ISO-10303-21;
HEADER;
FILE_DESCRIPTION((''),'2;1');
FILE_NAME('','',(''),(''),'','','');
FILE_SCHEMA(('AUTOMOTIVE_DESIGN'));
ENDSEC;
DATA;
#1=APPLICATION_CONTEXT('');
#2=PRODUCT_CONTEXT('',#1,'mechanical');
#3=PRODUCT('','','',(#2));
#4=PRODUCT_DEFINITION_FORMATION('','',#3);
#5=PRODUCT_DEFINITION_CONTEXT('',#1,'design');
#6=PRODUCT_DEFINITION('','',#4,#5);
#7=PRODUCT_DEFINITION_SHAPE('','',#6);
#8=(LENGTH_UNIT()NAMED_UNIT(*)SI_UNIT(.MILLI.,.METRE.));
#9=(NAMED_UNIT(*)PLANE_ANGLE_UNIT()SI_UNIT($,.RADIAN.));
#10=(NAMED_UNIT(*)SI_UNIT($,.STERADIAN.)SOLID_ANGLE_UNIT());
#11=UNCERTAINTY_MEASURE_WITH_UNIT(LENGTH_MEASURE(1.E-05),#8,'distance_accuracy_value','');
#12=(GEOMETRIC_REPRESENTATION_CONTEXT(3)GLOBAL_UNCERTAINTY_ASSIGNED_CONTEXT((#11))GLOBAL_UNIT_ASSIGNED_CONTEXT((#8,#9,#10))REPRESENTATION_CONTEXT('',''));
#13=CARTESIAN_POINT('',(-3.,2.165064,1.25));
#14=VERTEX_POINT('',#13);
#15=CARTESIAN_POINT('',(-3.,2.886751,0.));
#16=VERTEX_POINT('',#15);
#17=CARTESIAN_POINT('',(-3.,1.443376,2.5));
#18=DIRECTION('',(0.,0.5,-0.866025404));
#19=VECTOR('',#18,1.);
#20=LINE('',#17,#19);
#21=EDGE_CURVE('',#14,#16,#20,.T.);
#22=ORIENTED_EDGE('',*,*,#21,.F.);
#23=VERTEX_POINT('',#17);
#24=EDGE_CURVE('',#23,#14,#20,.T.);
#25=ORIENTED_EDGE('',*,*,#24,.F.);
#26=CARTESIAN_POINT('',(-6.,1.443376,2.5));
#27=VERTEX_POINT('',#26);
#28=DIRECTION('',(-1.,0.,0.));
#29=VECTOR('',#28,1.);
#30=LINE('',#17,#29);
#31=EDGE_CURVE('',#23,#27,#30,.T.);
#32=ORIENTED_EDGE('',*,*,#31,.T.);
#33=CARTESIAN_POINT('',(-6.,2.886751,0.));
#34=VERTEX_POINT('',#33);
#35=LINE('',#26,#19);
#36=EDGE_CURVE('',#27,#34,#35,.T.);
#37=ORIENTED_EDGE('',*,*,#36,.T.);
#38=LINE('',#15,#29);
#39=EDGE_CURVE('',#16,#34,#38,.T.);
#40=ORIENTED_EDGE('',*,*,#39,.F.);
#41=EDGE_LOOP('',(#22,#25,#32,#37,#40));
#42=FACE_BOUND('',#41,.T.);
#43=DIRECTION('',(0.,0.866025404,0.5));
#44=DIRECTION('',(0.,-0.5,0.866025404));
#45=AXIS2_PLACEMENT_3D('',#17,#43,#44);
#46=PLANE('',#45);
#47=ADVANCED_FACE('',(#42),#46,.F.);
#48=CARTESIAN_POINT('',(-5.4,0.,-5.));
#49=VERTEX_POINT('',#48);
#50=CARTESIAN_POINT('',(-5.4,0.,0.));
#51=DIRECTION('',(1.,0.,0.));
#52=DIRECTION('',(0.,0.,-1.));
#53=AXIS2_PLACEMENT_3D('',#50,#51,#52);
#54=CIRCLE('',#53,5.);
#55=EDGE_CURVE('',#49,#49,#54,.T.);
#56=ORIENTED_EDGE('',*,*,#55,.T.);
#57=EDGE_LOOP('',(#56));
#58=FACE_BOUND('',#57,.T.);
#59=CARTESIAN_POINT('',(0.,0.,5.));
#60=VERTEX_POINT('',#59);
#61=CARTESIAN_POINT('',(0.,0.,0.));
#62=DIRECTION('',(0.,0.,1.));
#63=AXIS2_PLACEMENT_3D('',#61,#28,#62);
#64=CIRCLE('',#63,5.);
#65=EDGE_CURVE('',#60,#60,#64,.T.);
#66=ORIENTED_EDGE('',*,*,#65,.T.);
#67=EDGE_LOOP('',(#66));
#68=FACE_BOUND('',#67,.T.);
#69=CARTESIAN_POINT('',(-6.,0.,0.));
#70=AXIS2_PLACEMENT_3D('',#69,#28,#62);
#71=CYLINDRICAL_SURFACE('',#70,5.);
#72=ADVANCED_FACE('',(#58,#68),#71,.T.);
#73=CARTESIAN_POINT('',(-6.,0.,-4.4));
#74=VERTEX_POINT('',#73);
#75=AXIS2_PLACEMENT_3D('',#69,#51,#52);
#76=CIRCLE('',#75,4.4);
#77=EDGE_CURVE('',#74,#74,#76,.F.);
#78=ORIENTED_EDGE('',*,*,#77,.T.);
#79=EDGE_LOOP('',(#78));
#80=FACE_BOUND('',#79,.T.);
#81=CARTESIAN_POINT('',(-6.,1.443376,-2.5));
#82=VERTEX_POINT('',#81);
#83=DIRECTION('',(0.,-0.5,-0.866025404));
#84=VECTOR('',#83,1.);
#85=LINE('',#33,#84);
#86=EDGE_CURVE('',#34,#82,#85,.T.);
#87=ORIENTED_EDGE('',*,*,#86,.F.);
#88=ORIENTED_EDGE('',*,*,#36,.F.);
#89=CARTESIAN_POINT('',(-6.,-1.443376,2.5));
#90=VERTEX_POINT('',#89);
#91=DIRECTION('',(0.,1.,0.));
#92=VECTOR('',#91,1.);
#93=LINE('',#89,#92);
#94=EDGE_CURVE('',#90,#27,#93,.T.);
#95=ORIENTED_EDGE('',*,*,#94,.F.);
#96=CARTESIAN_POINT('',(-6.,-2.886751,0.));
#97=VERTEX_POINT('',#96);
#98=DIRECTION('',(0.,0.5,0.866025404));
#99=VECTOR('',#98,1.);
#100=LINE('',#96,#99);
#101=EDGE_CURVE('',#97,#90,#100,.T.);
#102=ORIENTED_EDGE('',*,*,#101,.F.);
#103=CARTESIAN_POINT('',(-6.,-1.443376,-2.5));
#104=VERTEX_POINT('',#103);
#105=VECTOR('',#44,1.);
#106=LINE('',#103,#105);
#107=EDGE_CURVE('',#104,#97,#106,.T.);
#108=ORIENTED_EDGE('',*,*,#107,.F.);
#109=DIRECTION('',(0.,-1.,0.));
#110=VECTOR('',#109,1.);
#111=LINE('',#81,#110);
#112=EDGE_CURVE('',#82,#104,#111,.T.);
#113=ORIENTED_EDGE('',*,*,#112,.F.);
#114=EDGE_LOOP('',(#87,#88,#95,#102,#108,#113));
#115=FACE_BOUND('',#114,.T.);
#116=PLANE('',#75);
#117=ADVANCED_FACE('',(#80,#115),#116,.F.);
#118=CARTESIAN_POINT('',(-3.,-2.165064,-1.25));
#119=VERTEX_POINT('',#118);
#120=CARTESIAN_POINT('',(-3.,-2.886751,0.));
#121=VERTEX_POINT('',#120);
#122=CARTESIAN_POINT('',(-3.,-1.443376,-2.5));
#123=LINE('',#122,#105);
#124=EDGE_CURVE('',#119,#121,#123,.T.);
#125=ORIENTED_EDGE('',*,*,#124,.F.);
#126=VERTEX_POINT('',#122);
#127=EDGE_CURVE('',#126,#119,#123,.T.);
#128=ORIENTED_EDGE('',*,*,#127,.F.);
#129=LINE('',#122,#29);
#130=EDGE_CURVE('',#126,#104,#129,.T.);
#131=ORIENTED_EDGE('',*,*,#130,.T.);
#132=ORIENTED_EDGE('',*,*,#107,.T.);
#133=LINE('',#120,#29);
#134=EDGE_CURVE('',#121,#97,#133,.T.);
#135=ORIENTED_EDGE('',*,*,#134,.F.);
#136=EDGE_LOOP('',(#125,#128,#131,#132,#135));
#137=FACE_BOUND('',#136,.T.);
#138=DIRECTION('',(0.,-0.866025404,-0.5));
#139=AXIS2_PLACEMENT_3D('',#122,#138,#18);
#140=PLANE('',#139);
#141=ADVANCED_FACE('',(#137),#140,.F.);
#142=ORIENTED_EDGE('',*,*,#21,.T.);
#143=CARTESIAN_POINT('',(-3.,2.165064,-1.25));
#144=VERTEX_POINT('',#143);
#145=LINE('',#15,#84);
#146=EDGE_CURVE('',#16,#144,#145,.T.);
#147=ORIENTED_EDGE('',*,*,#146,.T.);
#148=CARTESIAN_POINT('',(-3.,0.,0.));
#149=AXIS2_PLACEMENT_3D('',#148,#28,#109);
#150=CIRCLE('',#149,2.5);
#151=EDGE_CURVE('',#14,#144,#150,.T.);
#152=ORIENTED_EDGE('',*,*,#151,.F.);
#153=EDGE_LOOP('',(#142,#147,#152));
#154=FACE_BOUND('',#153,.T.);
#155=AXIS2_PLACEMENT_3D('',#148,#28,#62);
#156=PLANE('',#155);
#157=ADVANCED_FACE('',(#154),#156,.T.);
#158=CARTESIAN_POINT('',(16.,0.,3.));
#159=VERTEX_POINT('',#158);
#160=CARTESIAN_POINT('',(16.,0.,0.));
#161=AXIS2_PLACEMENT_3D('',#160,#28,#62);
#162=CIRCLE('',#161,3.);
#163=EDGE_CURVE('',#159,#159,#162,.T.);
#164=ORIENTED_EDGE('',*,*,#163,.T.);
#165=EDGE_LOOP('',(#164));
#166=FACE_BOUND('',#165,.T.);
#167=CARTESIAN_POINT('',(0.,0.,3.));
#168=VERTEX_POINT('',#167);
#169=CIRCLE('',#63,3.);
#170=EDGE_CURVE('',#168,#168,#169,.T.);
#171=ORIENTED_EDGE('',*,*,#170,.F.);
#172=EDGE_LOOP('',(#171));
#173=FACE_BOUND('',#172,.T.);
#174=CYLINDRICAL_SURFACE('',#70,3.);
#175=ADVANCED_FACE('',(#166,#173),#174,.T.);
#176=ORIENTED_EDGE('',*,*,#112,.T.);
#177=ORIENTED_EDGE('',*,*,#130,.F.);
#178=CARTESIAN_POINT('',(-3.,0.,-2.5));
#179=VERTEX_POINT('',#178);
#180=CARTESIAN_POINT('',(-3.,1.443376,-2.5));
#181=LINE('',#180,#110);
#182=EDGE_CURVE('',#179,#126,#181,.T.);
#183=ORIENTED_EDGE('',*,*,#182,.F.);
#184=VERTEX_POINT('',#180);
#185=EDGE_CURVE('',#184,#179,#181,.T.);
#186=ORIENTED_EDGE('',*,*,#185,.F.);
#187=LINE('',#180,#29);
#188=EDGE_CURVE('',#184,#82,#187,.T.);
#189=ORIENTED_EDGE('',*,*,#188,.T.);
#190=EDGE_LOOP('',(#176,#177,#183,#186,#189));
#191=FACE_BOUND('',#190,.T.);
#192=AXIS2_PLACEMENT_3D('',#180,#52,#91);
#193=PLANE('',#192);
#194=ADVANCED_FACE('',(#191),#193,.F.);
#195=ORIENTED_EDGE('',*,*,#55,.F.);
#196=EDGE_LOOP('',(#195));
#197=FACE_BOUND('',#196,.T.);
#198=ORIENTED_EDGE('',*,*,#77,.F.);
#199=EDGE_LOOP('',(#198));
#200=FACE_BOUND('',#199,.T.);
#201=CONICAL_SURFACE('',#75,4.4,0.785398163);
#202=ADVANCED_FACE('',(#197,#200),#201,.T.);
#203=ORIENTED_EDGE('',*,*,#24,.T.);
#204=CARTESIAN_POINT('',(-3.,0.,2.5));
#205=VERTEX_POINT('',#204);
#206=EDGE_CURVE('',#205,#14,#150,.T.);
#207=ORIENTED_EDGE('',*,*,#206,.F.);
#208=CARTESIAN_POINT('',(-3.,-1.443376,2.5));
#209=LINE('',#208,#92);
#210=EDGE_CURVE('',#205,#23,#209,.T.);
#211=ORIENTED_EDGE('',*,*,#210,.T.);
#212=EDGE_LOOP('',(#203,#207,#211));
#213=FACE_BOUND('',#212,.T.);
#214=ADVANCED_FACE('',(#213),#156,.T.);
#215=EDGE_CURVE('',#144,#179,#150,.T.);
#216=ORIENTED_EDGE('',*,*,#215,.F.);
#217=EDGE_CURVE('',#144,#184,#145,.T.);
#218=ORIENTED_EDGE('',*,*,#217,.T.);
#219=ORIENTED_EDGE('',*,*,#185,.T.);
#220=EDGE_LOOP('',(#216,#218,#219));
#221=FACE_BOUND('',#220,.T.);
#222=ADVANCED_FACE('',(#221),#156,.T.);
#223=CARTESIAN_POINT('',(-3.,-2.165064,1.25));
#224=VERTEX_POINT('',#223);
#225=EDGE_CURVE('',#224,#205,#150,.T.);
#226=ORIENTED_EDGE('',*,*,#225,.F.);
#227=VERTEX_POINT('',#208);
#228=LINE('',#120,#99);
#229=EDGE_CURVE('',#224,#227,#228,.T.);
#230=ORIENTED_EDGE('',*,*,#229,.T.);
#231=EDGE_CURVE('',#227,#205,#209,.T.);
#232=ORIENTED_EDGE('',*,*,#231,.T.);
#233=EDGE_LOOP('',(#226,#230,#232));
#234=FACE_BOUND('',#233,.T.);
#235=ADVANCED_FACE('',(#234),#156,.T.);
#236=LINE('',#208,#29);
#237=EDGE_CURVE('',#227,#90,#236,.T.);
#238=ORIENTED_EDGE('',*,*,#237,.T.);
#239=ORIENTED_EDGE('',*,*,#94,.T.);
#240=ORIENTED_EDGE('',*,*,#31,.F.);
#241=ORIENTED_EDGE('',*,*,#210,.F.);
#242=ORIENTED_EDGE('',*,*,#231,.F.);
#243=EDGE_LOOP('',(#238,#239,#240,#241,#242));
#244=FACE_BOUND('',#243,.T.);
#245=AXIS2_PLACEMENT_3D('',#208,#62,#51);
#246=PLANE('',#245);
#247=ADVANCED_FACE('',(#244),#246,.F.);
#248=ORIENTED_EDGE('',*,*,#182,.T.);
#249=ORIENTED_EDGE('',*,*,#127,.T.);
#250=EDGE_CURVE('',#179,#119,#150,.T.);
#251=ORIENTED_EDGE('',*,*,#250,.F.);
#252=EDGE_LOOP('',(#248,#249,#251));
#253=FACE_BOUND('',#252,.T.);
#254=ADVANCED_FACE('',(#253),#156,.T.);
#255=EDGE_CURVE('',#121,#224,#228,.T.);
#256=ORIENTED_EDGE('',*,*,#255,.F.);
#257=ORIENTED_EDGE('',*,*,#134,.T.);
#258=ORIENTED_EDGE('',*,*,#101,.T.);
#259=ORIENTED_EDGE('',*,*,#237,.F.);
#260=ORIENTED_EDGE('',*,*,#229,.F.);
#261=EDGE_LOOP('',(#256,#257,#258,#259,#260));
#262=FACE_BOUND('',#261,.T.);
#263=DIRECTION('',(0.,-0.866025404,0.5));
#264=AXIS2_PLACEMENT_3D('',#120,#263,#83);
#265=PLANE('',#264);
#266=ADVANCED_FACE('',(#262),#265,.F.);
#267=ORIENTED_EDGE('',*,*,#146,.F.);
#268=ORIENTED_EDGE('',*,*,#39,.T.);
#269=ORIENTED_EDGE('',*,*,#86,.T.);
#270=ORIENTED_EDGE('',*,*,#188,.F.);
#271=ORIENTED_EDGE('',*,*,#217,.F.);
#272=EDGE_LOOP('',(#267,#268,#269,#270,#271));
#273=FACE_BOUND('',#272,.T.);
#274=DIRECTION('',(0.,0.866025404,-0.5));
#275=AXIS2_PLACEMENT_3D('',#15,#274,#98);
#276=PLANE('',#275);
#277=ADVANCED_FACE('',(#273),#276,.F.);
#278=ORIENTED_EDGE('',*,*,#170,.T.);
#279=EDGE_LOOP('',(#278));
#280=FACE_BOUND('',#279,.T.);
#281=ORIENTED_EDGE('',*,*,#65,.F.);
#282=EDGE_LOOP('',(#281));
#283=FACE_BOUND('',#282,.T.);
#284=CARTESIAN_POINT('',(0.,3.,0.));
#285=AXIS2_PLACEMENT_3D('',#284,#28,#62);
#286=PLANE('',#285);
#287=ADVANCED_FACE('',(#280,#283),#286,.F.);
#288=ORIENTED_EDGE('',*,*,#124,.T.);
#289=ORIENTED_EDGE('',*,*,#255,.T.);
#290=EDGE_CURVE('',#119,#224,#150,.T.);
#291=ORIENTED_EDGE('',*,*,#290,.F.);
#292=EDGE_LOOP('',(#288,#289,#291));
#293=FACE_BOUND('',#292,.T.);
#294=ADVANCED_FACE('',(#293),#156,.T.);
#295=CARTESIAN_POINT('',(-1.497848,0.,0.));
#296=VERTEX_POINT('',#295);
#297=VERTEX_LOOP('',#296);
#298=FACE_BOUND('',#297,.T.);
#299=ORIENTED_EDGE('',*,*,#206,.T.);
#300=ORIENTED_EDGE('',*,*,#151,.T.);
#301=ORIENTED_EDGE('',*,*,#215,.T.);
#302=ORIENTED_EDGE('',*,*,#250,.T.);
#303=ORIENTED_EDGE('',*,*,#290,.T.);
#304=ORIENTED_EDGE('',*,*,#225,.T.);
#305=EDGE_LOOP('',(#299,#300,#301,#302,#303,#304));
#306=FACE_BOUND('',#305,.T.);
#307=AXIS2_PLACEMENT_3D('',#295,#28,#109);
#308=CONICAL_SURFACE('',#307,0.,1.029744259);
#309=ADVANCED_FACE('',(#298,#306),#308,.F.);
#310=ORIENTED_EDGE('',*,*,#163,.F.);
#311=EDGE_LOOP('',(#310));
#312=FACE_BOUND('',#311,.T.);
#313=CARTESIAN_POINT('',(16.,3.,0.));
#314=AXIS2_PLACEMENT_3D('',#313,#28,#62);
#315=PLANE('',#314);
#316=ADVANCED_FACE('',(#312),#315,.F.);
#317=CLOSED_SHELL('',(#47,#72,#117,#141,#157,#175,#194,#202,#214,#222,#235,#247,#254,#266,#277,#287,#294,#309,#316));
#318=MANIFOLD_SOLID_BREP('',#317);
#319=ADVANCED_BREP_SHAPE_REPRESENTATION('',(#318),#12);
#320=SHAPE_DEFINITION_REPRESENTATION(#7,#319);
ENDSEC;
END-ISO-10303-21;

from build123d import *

# Parameters (mm, degrees)
CUT_EXTRUDE1_DEPTH = 3
CHAMFER1_SIZE      = 0.6


with BuildPart() as part:
    # Sketch1 → Revolve1 (revolve)
    with BuildSketch(Plane.XY):
        Polygon((0, 3), (16, 3), (16, 0), (-6, 0), (-6, 5), (0, 5), align=None)
    revolve(axis=Axis((-6, 0, 0), (1, 0, 0)))

    # Sketch2 → Cut-Revolve1 (revolve, cut)
    with BuildSketch(Plane.XY):
        Polygon((-1.497848452, 0), (-3, 2.5), (-6, 2.5), (-6, 0), align=None)
    revolve(axis=Axis((-6, 0, 0), (1, 0, 0)), mode=Mode.SUBTRACT)

    # Sketch3 → Cut-Extrude1 (cut)
    with BuildSketch(Plane.ZY.offset(6)):
        Polygon((2.5, 1.443375673), (0, 2.886751346), (-2.5, 1.443375673), (-2.5, -1.443375673), (0, -2.886751346), (2.5, -1.443375673), align=None)
    extrude(amount=-CUT_EXTRUDE1_DEPTH, mode=Mode.SUBTRACT)

    # Chamfer1
    chamfer1_edges = [part.edges().sort_by_distance(p)[0] for p in [
        (-6, -5, 0),
    ]]
    chamfer(chamfer1_edges, length=CHAMFER1_SIZE)


solid = part.part
